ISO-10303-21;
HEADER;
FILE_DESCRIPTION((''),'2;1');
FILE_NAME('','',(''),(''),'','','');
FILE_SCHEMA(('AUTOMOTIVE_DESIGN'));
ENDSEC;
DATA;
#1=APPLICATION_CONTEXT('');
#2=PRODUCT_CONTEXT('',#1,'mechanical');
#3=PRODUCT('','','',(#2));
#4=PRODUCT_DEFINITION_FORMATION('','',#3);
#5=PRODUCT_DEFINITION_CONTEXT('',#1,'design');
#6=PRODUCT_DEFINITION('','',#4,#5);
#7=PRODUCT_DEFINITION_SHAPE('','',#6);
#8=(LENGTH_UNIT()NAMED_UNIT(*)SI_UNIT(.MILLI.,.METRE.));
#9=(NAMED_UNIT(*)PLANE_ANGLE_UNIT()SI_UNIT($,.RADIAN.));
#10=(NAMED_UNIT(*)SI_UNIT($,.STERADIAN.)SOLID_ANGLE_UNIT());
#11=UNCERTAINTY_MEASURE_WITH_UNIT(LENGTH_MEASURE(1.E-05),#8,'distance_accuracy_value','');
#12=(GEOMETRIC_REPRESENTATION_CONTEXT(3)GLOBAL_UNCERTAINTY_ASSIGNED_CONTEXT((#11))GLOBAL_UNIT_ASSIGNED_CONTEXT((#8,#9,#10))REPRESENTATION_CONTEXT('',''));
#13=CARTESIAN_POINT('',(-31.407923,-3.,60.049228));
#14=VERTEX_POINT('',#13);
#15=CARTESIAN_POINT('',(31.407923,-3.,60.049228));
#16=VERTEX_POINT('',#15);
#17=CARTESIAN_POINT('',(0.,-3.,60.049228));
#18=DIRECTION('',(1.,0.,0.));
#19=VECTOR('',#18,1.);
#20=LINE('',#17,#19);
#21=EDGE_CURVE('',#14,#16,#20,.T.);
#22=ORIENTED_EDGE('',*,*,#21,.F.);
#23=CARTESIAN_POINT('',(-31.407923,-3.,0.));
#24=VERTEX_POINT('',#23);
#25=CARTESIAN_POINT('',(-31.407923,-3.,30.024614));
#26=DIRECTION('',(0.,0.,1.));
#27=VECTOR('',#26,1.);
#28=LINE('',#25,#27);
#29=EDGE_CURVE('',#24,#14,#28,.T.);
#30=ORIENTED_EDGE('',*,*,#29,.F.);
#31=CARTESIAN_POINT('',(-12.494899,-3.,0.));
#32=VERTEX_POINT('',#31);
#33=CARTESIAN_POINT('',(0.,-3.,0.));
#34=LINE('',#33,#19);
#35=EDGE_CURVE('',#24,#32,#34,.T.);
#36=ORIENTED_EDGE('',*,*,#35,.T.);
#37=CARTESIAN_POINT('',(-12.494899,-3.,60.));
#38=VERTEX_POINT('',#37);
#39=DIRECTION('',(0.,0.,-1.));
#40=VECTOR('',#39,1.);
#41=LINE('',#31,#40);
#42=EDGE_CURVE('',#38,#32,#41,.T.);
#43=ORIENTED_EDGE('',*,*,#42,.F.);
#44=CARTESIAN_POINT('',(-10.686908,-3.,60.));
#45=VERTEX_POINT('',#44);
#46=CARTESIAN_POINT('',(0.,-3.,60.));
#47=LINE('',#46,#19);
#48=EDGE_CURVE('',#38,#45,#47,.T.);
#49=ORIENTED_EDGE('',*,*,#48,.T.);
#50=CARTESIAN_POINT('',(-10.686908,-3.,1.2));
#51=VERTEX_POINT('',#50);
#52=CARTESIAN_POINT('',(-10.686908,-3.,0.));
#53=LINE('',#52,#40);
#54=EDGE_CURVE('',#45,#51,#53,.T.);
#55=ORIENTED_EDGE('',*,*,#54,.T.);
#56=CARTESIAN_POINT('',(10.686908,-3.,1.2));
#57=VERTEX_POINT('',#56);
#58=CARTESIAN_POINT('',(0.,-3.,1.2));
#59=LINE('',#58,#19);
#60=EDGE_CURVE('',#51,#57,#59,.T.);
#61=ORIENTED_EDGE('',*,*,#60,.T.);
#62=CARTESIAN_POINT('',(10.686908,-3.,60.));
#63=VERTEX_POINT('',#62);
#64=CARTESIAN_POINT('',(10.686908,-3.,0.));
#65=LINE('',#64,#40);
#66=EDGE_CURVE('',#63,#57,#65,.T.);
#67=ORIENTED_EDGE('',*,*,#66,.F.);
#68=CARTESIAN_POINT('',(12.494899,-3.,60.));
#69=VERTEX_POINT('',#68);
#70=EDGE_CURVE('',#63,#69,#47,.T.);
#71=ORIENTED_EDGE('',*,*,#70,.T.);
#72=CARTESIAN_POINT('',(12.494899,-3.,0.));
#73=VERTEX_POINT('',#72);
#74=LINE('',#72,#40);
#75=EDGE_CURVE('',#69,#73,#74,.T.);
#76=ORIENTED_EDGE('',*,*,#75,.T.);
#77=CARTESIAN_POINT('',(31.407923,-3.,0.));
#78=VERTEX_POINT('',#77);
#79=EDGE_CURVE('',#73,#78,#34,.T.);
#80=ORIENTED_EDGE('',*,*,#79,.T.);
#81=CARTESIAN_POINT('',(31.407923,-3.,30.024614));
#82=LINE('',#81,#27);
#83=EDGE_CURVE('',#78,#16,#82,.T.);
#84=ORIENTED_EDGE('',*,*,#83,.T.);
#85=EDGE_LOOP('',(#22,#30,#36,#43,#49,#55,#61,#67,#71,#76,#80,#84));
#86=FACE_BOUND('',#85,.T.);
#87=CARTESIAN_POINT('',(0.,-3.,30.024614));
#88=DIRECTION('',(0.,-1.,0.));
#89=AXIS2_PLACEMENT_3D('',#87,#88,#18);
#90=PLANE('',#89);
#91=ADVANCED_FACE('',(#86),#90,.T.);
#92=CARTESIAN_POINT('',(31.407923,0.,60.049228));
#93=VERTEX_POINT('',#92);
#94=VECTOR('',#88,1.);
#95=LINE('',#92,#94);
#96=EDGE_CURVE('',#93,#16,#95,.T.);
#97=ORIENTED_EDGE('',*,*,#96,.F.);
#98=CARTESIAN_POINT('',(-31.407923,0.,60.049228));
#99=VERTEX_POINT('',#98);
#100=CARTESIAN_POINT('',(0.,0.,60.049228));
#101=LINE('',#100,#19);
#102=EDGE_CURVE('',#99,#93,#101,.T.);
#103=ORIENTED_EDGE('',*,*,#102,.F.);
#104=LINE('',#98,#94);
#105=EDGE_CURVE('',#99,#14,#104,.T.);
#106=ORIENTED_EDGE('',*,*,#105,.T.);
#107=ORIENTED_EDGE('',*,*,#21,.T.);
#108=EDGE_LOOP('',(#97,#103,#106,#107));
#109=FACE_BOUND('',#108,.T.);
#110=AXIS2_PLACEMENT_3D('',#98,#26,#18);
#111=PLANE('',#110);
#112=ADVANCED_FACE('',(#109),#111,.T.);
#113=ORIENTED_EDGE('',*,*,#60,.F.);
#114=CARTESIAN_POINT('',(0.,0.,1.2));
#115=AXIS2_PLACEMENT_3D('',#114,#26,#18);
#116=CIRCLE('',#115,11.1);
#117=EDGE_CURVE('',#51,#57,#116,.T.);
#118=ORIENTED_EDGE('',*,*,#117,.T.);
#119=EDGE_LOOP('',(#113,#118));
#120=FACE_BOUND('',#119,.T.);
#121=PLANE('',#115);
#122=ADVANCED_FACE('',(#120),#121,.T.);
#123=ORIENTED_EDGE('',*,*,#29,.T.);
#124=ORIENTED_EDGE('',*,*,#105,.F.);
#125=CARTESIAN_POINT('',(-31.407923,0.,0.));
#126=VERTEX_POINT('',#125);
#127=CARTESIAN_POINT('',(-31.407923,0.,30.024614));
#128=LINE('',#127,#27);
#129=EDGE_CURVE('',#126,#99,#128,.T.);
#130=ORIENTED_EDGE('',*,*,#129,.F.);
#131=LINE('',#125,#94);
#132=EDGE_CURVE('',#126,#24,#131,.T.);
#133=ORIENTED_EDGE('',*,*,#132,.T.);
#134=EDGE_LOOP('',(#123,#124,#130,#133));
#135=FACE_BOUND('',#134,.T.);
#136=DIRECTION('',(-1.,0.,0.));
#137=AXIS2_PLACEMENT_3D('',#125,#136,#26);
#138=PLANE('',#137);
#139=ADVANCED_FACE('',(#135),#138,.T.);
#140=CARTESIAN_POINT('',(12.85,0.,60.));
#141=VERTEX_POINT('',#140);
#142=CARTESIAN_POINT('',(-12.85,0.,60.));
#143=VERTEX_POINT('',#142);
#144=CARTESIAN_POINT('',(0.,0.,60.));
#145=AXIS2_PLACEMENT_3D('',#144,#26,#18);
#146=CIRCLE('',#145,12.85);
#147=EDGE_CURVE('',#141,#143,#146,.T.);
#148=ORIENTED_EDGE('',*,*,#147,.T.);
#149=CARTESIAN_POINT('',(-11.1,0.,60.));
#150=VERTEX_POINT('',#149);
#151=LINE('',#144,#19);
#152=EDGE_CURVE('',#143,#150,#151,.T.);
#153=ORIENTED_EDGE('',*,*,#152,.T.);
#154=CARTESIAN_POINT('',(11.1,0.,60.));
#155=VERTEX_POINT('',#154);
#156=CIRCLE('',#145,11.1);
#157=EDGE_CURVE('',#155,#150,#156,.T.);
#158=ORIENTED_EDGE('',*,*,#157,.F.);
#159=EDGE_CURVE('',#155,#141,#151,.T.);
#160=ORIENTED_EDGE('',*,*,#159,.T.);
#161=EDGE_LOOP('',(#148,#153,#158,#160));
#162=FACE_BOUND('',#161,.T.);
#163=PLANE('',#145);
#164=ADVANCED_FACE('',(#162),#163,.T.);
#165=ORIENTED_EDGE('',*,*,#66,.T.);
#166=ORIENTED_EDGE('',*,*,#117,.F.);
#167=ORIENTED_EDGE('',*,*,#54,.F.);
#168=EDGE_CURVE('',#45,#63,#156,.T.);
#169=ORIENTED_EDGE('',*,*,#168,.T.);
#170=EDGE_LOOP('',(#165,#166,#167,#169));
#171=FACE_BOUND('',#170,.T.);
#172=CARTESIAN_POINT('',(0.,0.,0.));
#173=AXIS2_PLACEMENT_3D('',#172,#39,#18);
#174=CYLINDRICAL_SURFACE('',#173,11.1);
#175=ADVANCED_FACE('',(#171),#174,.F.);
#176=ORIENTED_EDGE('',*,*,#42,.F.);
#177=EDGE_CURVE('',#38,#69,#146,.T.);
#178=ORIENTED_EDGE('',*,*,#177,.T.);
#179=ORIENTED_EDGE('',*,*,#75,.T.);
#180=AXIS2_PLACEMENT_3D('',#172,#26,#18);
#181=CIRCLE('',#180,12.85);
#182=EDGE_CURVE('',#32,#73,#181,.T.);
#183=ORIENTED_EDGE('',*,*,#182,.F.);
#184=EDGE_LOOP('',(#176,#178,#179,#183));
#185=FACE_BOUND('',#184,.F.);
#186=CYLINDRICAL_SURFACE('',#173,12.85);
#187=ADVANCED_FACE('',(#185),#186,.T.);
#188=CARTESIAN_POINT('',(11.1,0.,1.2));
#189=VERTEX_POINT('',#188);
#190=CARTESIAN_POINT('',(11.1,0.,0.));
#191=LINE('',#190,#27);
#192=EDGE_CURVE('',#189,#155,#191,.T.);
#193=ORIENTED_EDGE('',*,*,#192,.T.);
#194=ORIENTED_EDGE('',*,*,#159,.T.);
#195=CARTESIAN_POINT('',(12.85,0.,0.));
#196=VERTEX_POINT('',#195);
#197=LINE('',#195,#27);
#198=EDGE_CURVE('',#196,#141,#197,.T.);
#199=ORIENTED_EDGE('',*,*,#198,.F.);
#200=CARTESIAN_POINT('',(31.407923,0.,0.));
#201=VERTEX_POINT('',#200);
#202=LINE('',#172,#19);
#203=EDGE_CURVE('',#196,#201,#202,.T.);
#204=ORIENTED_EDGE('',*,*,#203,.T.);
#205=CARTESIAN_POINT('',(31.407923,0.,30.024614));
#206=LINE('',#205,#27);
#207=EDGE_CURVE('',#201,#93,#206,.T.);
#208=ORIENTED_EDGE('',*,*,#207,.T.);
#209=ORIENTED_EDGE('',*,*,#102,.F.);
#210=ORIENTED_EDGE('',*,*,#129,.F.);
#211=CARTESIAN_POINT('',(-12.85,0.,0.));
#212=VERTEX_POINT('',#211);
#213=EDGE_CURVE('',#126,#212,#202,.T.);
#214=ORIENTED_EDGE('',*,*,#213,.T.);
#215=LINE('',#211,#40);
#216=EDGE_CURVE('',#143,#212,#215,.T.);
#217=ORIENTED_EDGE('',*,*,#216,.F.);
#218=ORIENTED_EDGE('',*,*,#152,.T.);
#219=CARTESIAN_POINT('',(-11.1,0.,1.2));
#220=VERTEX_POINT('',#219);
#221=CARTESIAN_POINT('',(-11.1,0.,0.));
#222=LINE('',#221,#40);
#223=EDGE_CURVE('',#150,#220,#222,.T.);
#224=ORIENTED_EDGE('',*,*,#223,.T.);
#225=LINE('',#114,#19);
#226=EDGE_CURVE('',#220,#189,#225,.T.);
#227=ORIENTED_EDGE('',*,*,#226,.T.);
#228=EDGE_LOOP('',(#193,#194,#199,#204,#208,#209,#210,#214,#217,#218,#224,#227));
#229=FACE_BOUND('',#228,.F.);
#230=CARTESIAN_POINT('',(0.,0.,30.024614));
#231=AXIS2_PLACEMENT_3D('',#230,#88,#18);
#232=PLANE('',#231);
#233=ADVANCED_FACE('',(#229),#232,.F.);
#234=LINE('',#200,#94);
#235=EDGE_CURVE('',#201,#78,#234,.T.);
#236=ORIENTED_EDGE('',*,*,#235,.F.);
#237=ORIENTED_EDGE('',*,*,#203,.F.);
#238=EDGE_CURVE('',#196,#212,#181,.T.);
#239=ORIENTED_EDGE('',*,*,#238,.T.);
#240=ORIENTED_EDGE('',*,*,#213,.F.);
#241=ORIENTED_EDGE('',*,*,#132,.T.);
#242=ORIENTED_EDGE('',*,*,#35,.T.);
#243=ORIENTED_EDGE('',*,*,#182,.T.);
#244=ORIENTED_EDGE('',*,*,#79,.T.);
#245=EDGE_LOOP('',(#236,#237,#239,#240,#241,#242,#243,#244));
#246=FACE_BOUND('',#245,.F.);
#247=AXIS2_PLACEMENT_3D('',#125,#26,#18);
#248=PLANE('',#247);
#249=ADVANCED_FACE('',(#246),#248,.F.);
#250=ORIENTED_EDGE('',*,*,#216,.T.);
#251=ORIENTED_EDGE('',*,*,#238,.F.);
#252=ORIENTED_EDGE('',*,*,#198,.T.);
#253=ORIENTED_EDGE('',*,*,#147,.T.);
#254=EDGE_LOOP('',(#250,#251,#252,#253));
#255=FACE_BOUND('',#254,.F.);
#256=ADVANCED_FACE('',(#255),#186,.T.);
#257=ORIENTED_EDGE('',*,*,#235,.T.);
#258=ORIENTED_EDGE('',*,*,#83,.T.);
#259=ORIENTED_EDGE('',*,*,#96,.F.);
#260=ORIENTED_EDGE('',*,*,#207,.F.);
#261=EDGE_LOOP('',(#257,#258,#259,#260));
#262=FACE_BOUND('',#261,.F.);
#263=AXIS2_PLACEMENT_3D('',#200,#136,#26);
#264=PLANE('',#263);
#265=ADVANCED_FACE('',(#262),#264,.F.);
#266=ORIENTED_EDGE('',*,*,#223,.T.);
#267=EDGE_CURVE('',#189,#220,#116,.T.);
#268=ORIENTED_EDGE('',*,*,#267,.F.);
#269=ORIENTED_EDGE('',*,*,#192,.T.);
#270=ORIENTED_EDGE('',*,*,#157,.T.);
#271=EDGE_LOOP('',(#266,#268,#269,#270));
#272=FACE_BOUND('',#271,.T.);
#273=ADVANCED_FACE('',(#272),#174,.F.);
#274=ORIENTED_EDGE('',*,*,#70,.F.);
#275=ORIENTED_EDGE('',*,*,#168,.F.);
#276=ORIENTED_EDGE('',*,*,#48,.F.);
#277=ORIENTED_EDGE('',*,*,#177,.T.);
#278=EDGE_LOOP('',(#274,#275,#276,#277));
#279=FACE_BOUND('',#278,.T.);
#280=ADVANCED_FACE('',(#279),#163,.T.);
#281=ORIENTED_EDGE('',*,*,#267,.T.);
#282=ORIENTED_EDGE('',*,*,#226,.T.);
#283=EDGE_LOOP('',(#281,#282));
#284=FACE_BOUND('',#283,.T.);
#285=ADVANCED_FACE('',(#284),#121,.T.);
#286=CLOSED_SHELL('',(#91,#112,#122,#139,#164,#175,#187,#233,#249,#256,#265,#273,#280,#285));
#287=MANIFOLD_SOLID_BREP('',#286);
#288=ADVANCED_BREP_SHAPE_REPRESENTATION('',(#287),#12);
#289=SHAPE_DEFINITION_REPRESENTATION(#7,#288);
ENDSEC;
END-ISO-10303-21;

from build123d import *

# Parameters (mm, degrees)
F0_R     = 11.1
F1_DEPTH = 1.2
F0_R_2   = 12.85
F2_DEPTH = 60
F3_W     = 62.815846
F3_H     = 60.049228
F4_DEPTH = 3


with BuildPart() as f1:
    # F0 (on Top) → F1 (new body)
    with BuildSketch(Plane.XY):
        Circle(F0_R)
    extrude(amount=F1_DEPTH)

    # F0 (on Top) → F2 (join)
    with BuildSketch(Plane.XY):
        Circle(F0_R_2)
        Circle(F0_R, mode=Mode.SUBTRACT)
    extrude(amount=F2_DEPTH)

    # F3 (on Front) → F4 (join)
    with BuildSketch(Plane.XZ):
        with Locations((0, 30.024614)):
            Rectangle(F3_W, F3_H)
    extrude(amount=F4_DEPTH)


solid = f1.part
